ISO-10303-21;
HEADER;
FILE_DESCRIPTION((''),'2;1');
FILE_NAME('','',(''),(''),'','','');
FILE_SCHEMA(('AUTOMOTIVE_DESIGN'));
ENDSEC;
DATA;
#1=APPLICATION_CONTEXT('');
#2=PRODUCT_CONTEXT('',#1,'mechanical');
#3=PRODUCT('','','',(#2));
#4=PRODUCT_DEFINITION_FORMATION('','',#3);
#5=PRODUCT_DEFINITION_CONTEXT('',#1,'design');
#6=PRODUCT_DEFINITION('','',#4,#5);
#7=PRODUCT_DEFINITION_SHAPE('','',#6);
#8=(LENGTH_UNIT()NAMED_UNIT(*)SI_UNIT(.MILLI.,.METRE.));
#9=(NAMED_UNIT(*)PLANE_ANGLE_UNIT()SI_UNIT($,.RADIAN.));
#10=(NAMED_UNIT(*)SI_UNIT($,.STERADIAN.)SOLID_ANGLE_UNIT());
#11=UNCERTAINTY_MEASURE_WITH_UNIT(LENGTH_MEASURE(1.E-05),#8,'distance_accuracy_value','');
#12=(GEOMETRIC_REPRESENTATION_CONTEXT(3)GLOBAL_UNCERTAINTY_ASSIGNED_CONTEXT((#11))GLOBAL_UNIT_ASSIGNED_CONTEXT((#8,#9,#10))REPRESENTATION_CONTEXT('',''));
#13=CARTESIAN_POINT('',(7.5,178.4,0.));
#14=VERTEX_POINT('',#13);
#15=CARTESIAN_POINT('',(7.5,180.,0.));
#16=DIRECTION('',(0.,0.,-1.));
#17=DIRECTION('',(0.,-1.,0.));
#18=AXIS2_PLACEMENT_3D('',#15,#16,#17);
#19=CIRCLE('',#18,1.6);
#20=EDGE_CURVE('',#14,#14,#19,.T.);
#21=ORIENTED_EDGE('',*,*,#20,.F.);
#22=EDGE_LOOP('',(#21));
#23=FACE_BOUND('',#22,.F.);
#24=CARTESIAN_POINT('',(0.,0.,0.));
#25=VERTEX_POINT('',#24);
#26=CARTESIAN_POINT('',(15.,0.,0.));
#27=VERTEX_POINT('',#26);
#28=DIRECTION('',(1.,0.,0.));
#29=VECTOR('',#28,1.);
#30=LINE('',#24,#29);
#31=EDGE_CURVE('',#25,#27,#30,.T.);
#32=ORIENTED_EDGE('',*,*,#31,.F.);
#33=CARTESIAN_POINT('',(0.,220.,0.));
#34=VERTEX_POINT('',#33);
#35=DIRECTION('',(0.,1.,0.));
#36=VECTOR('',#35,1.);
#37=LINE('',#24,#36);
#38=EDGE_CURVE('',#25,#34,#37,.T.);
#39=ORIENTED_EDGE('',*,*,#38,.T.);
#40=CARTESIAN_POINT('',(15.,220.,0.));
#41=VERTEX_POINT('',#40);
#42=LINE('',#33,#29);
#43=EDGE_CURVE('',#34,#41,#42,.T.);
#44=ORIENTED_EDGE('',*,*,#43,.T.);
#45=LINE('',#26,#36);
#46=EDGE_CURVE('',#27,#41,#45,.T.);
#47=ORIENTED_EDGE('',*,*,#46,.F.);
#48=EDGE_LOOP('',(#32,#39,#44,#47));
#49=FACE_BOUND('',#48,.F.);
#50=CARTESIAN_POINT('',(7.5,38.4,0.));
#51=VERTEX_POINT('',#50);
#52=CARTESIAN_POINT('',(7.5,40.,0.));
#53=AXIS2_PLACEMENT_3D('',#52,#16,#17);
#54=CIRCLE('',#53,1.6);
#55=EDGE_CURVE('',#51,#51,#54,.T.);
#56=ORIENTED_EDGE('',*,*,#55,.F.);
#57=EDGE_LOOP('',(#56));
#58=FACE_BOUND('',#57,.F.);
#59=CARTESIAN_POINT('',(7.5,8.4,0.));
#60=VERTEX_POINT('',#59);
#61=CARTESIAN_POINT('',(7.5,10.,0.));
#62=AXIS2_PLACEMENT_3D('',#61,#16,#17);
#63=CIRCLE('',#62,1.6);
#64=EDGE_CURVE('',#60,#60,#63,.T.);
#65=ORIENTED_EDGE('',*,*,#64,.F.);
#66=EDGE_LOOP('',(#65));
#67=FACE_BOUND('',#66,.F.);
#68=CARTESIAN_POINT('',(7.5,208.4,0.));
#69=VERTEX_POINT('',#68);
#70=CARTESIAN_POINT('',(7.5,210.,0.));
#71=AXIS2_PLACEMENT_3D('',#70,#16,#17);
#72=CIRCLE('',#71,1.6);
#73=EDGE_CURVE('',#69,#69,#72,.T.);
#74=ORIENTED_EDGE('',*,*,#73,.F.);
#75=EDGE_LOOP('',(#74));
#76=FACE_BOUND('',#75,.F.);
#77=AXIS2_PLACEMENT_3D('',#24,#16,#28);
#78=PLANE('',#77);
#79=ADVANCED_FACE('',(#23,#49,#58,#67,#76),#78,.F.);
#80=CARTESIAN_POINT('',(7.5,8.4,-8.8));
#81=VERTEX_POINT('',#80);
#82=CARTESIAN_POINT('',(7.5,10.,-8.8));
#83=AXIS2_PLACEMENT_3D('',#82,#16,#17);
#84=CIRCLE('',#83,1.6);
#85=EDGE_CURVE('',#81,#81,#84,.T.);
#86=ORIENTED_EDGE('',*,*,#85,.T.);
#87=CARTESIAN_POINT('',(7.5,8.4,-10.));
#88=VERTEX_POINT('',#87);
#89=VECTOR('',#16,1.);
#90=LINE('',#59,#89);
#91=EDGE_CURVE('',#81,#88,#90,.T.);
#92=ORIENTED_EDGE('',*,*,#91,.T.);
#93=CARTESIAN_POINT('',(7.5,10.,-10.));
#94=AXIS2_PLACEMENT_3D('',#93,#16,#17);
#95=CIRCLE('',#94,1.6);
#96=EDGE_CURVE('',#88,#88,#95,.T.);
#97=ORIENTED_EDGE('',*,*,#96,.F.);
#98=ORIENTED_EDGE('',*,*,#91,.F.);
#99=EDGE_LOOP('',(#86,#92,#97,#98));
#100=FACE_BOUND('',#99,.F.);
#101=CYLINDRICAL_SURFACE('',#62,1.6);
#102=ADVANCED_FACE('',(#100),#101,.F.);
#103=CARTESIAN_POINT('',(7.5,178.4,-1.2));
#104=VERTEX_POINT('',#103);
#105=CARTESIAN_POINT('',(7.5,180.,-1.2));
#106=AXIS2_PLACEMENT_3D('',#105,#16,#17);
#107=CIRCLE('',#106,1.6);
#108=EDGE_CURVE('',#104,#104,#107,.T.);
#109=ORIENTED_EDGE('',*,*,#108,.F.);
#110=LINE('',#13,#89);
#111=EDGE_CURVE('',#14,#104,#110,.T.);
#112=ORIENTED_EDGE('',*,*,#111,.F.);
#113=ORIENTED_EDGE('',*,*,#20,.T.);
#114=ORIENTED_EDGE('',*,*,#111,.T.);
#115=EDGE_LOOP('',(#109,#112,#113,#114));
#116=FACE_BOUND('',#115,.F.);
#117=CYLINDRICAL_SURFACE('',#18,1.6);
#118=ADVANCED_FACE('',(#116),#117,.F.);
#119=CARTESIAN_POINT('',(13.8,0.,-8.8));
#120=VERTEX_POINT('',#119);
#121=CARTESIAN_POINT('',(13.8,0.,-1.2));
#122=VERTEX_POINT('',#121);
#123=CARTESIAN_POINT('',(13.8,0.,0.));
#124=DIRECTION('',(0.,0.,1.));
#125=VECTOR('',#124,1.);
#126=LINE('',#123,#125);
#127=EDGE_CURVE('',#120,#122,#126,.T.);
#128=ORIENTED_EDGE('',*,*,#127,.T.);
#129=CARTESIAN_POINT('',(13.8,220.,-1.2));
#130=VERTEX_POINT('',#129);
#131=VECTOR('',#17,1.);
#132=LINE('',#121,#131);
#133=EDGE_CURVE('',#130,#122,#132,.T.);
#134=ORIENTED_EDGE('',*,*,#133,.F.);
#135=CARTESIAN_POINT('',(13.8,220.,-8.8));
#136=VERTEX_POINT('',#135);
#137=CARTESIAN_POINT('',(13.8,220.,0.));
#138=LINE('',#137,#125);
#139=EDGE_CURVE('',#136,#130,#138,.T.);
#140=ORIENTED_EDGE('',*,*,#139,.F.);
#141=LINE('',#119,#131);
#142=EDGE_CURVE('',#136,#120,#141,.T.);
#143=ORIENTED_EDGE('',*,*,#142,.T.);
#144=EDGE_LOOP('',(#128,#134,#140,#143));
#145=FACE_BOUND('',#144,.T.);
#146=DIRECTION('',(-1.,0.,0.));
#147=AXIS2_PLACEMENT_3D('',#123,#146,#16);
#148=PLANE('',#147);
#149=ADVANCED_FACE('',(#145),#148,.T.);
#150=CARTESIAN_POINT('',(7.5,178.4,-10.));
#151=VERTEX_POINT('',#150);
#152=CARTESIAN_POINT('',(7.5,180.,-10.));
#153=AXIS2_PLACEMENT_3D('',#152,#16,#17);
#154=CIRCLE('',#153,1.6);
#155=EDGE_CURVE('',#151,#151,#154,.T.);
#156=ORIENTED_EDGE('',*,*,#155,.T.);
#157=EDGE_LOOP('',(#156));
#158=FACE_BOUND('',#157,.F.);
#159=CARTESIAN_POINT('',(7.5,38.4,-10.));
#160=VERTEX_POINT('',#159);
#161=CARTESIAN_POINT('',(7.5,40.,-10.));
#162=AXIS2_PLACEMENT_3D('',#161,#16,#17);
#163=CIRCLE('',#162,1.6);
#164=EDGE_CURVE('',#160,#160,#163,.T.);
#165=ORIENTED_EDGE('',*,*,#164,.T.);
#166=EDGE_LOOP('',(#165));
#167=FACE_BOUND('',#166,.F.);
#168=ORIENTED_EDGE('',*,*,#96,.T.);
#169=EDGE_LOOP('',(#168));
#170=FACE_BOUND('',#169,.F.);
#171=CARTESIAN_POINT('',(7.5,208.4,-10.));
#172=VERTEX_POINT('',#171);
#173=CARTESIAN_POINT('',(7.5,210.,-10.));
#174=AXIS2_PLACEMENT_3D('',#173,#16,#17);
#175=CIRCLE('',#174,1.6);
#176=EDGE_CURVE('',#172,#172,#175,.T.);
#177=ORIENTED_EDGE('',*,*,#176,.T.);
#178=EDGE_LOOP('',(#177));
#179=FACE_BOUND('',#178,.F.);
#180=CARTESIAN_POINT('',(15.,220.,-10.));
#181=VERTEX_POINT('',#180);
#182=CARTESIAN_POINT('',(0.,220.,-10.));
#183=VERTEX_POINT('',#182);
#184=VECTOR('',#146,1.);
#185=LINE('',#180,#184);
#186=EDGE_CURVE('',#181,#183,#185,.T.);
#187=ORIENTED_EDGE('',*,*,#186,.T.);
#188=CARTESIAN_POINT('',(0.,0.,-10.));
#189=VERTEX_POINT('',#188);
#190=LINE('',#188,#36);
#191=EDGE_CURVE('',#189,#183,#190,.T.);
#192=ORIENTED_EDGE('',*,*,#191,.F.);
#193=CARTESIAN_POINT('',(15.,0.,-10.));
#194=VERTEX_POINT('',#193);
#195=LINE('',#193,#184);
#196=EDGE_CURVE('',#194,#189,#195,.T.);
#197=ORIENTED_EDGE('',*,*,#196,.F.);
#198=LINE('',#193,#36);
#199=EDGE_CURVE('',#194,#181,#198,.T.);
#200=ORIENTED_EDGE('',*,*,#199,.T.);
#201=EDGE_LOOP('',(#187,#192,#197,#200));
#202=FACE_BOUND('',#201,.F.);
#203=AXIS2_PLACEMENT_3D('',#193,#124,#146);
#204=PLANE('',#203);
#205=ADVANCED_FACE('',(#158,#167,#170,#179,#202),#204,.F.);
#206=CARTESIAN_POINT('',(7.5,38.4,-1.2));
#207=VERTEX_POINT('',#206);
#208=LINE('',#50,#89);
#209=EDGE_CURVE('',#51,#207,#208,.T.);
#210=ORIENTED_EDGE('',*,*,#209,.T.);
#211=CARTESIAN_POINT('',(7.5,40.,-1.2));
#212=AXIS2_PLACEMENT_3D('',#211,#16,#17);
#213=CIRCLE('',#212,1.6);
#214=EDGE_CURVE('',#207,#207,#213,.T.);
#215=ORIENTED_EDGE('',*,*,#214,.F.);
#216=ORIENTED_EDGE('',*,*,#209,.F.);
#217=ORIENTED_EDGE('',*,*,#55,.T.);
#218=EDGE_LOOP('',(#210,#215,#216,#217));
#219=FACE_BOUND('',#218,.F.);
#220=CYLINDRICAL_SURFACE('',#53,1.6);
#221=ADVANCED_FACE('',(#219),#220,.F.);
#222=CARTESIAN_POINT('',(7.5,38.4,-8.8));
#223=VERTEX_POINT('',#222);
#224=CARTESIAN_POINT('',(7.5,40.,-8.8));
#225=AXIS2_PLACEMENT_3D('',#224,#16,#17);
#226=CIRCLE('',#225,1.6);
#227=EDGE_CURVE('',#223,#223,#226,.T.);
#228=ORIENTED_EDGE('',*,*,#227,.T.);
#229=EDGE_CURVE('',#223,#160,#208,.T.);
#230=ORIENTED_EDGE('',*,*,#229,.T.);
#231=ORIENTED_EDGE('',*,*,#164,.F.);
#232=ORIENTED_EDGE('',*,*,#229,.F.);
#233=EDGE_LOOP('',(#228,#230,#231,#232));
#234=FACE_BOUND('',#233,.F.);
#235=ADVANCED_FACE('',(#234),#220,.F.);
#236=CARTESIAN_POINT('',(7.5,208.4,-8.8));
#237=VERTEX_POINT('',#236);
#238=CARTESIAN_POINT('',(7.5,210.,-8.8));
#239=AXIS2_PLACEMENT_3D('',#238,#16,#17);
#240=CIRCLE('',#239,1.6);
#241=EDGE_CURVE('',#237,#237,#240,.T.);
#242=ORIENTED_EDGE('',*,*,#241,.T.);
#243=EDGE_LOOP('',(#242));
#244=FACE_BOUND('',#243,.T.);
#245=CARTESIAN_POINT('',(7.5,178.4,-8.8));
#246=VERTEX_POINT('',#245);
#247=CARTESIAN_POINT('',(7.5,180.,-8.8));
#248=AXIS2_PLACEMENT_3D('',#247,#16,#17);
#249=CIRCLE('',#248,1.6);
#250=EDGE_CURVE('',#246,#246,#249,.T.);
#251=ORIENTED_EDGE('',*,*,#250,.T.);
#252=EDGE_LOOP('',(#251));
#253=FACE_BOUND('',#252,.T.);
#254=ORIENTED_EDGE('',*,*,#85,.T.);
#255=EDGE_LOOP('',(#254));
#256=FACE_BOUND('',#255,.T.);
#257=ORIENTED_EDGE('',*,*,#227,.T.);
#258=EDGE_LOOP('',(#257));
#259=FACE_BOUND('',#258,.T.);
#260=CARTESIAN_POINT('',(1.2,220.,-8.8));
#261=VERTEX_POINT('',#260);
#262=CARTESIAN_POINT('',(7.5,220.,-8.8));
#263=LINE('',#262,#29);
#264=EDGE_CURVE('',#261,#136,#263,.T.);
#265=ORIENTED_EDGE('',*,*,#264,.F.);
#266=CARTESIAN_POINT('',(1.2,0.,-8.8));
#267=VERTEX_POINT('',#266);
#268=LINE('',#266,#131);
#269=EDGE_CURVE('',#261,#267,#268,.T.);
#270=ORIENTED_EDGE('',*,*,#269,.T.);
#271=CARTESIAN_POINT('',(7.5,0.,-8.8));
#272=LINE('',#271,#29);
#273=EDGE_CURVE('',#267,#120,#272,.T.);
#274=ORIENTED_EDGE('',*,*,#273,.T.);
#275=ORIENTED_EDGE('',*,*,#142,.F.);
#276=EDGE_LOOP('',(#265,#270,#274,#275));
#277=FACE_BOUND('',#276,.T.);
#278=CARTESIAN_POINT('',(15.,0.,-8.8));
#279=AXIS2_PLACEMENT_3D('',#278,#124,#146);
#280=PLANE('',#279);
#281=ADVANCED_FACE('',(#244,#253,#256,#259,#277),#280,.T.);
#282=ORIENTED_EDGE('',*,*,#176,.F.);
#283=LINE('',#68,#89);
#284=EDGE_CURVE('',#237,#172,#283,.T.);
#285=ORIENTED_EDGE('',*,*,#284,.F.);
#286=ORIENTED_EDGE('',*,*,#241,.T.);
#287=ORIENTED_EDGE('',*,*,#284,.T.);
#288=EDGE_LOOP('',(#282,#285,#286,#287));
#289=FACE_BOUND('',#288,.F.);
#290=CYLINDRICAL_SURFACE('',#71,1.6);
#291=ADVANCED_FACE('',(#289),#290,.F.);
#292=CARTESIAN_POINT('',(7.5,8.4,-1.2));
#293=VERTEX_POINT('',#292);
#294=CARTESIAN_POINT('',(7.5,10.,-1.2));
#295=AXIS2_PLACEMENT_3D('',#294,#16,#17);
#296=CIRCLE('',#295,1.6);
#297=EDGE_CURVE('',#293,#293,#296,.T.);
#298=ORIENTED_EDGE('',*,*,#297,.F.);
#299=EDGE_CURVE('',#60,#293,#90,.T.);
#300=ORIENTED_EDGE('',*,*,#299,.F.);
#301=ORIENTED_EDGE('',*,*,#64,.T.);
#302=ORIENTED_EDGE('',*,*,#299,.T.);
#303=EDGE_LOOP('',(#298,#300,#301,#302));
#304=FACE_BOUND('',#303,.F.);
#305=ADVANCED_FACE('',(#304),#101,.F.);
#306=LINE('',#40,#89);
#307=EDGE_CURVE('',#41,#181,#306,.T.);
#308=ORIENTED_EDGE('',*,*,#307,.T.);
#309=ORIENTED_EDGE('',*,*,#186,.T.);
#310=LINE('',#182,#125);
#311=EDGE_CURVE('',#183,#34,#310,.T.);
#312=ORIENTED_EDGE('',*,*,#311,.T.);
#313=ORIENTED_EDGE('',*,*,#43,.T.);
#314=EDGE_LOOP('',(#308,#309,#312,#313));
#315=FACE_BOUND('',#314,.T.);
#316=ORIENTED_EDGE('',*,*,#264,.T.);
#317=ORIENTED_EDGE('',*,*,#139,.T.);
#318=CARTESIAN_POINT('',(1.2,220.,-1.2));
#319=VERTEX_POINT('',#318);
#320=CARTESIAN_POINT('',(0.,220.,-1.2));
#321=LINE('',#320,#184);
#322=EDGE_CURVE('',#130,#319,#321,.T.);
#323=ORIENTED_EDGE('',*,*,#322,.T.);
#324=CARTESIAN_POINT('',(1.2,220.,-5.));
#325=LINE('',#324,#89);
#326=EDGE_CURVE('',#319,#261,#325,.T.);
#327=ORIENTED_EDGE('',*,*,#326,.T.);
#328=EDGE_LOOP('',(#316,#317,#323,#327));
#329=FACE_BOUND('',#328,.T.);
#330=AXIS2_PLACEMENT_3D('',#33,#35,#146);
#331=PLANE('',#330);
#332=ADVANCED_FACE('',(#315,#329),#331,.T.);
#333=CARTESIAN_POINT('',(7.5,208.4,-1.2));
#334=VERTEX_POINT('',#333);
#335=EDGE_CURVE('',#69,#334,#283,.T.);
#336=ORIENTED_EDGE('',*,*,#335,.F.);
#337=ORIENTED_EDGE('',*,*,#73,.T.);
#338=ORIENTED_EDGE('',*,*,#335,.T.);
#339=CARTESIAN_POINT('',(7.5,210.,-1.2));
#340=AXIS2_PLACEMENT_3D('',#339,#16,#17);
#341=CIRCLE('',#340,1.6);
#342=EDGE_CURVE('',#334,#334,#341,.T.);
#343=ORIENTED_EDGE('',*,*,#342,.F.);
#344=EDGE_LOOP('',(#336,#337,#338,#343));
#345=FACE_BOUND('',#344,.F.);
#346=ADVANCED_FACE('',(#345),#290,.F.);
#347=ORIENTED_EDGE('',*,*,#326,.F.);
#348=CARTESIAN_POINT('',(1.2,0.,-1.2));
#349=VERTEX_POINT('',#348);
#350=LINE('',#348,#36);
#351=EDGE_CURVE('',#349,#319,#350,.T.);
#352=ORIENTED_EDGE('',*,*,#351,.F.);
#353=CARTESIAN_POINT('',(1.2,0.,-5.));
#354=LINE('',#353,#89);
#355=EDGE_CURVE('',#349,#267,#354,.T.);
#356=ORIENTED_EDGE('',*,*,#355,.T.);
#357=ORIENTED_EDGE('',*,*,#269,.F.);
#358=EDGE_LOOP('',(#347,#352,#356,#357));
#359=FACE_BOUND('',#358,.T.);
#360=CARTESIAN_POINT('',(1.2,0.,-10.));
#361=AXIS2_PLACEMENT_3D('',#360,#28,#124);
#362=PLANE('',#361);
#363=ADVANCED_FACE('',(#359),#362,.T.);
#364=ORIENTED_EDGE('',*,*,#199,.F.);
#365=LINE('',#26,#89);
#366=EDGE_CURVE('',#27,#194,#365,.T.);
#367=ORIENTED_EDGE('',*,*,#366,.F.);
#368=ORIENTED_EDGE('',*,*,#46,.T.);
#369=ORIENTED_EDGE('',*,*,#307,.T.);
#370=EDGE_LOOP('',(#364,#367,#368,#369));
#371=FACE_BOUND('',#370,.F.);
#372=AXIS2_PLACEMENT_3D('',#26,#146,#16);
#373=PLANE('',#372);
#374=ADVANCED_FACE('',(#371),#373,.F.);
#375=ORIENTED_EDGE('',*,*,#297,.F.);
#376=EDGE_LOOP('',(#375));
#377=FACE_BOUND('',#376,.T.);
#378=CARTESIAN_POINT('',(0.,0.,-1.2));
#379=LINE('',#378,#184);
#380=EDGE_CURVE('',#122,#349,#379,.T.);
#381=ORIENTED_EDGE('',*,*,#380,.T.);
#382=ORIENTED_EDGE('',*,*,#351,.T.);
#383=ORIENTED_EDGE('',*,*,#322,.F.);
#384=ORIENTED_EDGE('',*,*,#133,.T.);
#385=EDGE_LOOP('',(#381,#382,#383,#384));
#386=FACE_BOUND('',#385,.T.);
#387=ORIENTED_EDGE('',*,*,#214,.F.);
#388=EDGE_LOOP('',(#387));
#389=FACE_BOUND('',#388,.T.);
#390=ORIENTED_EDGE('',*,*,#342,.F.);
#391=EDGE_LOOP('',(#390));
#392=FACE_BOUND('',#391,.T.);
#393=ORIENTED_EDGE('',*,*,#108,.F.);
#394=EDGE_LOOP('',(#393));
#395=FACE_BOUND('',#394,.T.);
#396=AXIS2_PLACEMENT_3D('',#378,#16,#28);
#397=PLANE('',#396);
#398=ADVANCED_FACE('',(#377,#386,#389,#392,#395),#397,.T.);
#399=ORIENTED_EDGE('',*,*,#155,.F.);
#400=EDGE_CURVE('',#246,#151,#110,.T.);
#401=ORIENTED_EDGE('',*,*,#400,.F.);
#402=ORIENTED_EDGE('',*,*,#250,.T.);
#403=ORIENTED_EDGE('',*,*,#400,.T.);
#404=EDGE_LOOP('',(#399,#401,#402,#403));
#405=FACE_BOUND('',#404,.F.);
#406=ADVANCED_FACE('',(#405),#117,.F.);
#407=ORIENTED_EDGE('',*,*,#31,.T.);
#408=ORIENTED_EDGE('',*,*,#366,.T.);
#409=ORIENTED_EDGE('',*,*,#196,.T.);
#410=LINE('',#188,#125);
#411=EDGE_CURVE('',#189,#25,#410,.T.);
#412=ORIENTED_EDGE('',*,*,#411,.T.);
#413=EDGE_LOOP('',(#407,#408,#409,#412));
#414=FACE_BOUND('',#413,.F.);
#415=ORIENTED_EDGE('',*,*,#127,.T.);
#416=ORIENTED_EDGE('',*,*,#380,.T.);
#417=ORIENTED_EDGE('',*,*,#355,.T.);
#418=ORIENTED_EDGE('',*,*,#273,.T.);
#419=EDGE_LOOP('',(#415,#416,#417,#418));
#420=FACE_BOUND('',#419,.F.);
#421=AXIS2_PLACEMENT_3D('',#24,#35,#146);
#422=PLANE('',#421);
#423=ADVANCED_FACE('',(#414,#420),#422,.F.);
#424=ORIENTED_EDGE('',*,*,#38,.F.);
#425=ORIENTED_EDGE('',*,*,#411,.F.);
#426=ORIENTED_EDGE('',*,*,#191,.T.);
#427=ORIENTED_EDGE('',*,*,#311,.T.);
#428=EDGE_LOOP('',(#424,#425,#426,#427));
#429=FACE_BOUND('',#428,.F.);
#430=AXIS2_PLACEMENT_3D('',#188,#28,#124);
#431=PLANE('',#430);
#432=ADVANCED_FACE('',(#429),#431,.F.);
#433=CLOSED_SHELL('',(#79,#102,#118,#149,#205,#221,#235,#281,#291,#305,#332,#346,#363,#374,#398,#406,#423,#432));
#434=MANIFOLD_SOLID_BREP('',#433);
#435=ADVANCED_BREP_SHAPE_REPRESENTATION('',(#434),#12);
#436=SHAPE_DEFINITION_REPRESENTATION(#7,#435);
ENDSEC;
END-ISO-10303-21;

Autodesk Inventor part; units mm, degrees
ref_plane "YZ Plane" through (0, 0, 0) normal (1, 0, 0) x (0, 1, 0)
ref_plane "XZ Plane" through (0, 0, 0) normal (0, 1, 0) x (-1, 0, 0)
ref_plane "XY Plane" through (0, 0, 0) normal (0, 0, 1) x (1, 0, 0)
sketch "スケッチ1" plane through (0, 0, 0) normal (0, 1, 0) x (-1, 0, 0)
  line L0 (0, 0) -> (-15, 0)
  line L1 (-15, 0) -> (-15, -10)
  line L2 (-15, -10) -> (0, -10)
  line L3 (0, -10) -> (0, 0)
  dimension "d0" = 15
  dimension "d1" = 10
extrude "押し出し1" add sketch "スケッチ1" along normal blind 220
shell "シェル1" thickness 1.2 removed faces 2 at (10, 0, -3.3333) at (10, 220, -3.3333)
sketch "スケッチ2" plane through (0, 0, 0) normal (0, 0, 1) x (1, 0, 0)
  line L0 (0, 0) -> (15, 0) projected
  line L1 (0, 0) -> (0, 220) projected
  line L2 (0, 220) -> (15, 220) projected
  point P0 (7.5, 10)
  point P1 (7.5, 10)
  point P2 (7.5, 40)
  point P3 (7.5, 210)
  point P4 (7.5, 180)
  dimension "d5" = 10
  dimension "d6" = 7.5
  dimension "d7" = 7.5
  dimension "d8" = 30
  dimension "d9" = 7.5
  dimension "d10" = 10
  dimension "d11" = 7.5
  dimension "d12" = 30
hole "穴1" at (7.5, 10, 0) at (7.5, 40, 0) at (7.5, 210, 0) at (7.5, 180, 0) direction (0, 0, -1) diameter 3.2 end through all
properties part number "right_ASP" material "アルミニウム 6061"
